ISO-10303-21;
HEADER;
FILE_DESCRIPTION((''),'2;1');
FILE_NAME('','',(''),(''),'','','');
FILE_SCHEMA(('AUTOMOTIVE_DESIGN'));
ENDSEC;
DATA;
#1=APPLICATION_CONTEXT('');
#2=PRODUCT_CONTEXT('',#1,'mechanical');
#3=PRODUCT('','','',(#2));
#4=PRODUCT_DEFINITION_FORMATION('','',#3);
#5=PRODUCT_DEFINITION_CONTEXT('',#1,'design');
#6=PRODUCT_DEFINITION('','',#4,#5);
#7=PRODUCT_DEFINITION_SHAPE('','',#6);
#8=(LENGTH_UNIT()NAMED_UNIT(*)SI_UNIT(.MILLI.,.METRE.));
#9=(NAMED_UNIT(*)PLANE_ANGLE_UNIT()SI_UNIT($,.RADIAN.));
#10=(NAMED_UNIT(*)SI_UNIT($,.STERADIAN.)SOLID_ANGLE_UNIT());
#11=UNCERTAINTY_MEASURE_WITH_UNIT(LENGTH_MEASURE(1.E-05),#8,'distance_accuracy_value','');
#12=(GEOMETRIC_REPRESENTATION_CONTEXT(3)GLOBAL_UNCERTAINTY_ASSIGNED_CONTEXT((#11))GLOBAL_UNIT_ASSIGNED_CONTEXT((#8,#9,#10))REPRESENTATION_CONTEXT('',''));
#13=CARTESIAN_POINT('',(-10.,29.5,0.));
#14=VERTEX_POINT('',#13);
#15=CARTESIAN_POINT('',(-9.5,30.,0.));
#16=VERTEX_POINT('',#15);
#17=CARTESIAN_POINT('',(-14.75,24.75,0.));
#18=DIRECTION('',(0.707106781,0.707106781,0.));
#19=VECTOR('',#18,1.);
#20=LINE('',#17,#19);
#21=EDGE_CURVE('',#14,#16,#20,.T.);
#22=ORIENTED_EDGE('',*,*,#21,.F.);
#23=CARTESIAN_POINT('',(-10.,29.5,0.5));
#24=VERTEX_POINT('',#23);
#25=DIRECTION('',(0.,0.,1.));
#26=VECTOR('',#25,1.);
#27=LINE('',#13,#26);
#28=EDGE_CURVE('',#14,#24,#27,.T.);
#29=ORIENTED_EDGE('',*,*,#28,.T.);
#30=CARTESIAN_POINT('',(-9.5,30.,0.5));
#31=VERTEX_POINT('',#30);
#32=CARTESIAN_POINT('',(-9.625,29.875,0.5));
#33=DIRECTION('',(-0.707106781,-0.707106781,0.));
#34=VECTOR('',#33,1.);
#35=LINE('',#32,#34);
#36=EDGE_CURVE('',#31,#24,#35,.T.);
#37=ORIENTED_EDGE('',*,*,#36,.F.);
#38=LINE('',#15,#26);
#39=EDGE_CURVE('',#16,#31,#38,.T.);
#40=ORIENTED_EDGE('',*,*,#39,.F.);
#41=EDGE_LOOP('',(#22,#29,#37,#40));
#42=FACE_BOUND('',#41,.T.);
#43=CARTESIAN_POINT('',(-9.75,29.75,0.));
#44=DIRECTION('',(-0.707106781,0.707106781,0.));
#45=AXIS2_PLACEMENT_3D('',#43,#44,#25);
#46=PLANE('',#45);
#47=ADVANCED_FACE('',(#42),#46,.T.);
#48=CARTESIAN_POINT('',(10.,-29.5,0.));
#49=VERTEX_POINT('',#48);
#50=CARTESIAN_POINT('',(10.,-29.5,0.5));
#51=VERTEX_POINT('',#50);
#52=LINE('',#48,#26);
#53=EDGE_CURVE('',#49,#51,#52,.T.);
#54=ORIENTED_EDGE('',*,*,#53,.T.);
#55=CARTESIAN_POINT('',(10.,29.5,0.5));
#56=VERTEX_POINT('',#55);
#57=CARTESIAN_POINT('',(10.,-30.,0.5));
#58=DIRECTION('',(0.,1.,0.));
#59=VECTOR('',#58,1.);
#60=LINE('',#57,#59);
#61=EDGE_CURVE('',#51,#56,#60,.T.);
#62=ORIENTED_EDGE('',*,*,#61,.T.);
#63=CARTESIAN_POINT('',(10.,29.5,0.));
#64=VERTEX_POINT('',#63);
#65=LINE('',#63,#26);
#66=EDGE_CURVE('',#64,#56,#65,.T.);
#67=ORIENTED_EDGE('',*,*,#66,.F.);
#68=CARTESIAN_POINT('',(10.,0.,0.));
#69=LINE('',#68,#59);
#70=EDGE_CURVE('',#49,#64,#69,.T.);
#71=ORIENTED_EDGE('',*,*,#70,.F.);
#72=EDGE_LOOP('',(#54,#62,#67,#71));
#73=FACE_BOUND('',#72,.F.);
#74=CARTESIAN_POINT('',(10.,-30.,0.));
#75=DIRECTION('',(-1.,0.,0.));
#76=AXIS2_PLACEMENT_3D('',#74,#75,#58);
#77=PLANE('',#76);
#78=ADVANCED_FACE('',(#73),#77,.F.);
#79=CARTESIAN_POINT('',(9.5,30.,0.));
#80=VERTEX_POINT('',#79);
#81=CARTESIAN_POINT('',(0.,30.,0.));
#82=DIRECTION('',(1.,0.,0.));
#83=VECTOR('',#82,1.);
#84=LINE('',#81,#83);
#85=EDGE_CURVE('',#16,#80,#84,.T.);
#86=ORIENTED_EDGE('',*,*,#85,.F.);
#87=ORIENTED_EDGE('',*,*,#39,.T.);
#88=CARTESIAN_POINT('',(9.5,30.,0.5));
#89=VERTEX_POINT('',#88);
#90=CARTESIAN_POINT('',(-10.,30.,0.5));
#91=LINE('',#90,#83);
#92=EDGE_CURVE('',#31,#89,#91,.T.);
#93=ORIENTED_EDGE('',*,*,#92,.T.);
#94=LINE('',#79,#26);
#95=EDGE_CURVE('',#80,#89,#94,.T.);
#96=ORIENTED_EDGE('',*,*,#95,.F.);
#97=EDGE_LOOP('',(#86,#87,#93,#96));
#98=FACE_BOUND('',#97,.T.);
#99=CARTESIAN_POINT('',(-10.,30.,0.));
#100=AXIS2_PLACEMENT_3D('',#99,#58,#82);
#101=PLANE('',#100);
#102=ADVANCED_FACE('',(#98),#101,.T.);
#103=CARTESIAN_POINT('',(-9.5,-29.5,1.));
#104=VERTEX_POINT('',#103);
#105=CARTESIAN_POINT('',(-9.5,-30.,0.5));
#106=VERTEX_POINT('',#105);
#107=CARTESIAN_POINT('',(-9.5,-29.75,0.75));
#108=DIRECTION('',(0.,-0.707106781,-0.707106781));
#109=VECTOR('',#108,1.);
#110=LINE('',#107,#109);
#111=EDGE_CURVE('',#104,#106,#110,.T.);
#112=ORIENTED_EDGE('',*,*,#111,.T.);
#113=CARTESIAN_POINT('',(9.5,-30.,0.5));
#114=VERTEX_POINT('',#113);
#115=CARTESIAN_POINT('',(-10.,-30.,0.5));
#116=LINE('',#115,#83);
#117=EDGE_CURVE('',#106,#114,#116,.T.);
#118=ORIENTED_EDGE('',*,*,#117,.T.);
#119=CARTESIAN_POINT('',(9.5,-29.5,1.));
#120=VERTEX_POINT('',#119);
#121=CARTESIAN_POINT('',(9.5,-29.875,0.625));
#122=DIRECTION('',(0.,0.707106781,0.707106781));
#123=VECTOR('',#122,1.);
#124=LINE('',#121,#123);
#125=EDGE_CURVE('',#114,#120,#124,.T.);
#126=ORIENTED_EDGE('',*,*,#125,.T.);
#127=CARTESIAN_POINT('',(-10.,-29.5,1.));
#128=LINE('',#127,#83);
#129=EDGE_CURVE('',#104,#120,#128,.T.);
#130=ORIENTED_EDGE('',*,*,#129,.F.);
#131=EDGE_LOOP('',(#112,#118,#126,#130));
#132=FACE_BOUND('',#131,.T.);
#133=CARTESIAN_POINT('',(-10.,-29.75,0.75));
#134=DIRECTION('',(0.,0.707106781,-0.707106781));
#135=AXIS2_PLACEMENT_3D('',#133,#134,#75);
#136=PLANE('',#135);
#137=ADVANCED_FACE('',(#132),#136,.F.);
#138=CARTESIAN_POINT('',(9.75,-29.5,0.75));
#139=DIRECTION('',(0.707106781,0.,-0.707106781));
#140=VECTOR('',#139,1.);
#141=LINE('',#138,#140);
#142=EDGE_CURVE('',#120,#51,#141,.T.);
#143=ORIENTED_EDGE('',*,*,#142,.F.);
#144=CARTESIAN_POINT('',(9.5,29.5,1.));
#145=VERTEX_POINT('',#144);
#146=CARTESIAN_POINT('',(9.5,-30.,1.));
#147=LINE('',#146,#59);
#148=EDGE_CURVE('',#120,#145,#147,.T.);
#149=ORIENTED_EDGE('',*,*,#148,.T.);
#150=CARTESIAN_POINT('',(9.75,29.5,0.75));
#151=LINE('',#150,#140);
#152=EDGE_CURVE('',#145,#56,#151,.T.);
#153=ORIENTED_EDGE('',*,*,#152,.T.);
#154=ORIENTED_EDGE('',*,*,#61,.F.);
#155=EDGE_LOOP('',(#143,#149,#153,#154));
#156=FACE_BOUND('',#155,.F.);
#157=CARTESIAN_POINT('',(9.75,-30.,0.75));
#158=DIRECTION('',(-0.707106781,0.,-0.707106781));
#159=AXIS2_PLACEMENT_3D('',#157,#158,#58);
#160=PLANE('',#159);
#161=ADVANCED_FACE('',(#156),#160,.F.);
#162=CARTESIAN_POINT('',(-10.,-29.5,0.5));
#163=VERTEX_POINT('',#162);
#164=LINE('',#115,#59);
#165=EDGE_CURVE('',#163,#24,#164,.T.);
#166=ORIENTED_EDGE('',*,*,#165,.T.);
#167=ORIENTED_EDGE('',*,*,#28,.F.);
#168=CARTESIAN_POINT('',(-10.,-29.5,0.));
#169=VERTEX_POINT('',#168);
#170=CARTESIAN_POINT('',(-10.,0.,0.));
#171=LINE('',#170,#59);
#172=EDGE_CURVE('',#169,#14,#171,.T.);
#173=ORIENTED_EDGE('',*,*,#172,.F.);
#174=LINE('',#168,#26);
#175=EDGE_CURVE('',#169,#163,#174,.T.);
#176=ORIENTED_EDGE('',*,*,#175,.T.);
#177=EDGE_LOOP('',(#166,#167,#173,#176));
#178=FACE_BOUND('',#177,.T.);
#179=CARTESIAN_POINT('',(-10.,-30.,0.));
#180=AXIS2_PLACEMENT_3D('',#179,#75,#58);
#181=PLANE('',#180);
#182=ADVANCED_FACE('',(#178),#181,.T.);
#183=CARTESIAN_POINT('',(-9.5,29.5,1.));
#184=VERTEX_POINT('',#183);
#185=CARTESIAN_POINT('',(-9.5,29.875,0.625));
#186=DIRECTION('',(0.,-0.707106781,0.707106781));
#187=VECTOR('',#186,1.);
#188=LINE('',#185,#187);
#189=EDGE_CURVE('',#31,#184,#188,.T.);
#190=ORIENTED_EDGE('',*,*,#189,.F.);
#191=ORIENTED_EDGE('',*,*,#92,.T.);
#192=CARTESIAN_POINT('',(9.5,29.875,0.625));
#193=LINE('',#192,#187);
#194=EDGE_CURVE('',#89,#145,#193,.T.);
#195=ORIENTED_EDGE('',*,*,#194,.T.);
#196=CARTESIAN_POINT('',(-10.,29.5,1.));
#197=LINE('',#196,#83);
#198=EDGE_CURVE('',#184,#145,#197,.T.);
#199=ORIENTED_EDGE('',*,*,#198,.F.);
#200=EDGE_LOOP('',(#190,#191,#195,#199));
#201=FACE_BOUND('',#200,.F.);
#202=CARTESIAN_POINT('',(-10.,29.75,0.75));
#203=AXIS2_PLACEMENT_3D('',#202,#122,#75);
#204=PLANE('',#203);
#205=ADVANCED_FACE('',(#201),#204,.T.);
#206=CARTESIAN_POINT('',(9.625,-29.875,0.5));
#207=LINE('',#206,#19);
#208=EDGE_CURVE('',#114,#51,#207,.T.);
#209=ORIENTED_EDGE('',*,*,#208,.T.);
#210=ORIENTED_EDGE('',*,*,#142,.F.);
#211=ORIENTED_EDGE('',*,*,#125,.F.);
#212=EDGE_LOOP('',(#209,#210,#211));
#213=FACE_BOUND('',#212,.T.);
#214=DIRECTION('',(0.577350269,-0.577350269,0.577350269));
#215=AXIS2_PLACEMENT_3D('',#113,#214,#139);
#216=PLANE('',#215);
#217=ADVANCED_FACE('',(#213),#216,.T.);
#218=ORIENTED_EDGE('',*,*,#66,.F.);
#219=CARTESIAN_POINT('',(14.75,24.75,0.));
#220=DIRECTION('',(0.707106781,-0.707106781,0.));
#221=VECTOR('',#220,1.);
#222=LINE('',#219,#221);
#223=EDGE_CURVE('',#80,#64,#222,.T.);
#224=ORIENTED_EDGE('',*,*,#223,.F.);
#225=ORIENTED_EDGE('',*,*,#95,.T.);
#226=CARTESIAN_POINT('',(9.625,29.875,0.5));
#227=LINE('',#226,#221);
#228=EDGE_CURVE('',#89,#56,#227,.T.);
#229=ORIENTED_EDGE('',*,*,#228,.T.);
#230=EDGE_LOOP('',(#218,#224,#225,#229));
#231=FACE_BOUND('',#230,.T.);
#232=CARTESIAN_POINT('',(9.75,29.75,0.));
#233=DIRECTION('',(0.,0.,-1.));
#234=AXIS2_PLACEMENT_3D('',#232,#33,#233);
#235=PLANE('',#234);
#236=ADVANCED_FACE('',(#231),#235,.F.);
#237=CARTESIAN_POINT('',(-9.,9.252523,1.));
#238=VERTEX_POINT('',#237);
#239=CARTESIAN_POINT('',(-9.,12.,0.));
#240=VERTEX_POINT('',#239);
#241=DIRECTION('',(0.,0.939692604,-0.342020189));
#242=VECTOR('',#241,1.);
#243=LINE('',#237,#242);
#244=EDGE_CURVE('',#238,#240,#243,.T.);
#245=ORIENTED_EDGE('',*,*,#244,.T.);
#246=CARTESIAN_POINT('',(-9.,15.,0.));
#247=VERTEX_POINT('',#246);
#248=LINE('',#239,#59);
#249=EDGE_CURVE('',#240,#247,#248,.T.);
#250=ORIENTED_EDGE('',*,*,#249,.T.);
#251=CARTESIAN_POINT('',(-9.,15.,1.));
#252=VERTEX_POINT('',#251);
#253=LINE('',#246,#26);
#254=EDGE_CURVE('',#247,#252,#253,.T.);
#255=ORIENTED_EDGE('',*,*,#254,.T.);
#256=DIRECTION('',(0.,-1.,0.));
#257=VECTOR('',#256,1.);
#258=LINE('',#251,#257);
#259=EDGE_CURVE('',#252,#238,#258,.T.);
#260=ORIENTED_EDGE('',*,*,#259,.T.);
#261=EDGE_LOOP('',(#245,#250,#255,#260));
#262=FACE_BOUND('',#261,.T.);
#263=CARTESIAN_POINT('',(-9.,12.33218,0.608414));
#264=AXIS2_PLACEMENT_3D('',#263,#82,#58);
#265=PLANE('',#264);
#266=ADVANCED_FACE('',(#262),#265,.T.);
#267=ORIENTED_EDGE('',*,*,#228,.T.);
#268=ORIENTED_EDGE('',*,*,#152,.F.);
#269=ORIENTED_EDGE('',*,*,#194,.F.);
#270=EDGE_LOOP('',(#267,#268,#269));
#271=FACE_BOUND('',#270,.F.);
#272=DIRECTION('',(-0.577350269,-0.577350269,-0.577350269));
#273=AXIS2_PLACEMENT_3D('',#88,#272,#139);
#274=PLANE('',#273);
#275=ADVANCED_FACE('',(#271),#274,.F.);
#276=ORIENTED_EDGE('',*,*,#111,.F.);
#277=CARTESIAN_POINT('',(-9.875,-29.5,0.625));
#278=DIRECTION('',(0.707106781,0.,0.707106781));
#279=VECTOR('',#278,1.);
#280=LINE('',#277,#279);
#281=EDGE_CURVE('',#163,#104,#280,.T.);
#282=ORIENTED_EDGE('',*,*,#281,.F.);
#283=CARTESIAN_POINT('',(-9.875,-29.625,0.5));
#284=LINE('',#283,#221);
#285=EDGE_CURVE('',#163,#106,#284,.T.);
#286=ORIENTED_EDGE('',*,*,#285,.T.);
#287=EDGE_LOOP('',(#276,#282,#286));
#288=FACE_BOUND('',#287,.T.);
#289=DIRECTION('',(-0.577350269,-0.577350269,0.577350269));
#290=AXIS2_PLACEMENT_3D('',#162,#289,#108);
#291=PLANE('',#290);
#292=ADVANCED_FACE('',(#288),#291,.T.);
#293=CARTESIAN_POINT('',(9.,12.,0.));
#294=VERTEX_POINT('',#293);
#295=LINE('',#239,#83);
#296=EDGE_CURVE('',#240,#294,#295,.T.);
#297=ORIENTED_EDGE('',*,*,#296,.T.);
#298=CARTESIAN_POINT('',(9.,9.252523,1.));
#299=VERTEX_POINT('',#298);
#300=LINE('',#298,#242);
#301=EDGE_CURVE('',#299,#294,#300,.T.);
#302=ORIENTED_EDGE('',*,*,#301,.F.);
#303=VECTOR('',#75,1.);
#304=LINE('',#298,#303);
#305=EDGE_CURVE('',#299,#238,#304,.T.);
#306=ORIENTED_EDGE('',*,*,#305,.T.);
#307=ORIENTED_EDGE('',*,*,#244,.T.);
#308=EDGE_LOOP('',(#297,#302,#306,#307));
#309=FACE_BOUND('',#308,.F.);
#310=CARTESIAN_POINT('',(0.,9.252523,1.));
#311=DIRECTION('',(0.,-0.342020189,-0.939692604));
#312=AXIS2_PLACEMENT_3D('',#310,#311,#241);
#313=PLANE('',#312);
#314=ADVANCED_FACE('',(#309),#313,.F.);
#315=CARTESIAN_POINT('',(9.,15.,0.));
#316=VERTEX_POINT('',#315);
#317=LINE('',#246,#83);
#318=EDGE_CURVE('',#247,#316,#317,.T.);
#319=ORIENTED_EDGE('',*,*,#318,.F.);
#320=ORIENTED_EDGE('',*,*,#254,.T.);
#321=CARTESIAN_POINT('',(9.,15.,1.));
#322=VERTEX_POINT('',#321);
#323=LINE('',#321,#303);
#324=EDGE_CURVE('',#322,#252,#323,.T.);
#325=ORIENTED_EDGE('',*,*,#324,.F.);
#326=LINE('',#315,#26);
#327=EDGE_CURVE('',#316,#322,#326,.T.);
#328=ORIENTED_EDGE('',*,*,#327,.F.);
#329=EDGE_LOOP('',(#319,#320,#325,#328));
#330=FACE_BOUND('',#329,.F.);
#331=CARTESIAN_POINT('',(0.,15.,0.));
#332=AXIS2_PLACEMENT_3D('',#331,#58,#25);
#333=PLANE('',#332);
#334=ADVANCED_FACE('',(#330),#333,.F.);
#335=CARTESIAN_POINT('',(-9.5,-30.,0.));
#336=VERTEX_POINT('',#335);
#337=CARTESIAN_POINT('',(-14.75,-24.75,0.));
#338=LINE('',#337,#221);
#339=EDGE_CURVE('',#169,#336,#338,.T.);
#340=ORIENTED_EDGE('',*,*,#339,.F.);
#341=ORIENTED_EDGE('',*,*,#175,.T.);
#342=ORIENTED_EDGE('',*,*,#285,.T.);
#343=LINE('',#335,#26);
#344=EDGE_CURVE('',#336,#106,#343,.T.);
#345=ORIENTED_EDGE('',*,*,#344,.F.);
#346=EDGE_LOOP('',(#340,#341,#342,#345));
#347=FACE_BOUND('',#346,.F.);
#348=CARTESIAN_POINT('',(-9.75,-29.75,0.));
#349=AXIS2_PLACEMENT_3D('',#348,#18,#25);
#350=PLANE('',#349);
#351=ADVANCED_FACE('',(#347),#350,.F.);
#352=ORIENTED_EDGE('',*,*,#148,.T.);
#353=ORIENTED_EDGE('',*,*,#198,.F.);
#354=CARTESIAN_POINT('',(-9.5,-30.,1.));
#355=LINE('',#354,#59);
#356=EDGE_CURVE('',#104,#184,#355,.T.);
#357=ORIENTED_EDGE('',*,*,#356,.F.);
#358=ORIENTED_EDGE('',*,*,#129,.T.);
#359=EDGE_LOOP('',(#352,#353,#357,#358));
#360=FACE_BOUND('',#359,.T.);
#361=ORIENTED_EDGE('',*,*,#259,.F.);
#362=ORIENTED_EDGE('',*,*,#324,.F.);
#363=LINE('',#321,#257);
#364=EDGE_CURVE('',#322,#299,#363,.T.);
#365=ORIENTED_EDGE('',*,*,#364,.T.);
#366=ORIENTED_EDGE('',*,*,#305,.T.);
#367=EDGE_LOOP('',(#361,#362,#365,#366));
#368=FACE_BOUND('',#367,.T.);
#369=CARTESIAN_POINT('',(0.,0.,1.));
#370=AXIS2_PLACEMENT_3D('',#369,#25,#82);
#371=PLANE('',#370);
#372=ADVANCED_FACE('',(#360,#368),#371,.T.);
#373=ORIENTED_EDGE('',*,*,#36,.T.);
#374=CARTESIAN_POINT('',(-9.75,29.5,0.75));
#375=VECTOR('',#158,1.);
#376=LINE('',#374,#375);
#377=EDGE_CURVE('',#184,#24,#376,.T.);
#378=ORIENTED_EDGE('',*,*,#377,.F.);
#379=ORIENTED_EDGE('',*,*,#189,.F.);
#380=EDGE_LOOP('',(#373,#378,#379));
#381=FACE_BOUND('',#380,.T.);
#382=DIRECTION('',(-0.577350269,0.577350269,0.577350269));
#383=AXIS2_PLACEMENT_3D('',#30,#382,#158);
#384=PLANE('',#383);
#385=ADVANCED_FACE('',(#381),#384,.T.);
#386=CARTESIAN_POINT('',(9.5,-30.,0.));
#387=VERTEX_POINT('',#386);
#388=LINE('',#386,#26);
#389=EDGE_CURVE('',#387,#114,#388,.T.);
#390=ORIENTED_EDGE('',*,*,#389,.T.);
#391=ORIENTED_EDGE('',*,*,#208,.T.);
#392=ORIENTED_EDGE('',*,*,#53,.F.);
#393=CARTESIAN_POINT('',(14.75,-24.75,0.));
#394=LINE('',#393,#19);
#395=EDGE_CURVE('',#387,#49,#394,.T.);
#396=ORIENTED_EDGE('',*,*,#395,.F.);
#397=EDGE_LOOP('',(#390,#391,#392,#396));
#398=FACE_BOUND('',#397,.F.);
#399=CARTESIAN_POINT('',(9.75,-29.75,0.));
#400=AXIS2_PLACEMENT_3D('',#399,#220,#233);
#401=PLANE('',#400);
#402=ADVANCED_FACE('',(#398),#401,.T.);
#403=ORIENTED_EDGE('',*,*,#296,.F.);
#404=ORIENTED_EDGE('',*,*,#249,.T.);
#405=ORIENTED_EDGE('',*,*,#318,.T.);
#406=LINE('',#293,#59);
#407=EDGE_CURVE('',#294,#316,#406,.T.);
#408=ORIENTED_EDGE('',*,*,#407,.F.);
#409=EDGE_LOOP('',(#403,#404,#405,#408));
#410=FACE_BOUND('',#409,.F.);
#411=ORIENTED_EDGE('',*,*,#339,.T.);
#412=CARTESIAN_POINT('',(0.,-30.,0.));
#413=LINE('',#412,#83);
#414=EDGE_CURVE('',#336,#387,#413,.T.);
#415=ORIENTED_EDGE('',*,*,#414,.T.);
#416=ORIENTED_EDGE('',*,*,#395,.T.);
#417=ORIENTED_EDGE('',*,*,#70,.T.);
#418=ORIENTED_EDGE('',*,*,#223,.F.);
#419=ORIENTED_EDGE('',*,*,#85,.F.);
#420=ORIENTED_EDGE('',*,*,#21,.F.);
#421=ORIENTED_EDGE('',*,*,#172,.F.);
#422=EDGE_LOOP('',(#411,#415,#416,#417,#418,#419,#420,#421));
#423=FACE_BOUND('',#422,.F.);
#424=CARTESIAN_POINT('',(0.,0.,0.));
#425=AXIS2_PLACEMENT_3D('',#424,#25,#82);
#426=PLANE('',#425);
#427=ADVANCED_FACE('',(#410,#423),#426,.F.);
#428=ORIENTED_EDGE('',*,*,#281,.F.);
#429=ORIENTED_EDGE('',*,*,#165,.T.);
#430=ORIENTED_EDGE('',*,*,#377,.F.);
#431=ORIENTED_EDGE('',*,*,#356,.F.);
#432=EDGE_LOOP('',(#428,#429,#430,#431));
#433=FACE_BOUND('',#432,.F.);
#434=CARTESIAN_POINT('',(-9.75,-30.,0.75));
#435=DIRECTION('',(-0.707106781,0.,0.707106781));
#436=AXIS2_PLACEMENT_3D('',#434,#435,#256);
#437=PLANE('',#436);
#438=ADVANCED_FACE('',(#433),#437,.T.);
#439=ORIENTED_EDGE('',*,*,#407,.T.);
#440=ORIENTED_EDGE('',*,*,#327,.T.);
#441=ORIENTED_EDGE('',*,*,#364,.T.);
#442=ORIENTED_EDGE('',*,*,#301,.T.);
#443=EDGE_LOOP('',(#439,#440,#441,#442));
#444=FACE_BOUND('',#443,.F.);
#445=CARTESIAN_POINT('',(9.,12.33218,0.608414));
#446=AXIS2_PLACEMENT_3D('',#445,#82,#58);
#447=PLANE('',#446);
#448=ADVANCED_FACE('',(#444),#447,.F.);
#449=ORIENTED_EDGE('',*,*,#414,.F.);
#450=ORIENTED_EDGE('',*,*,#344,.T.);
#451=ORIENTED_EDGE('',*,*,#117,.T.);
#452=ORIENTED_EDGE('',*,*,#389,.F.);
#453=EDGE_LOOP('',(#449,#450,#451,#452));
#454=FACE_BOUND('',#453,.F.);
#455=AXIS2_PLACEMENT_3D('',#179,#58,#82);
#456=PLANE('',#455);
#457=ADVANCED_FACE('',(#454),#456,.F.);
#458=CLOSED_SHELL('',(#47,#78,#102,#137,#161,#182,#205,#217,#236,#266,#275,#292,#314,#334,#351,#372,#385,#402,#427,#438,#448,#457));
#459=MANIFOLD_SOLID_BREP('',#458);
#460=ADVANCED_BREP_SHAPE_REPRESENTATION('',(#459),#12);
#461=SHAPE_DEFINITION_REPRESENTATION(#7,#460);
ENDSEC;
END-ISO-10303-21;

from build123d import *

# Parameters (mm, degrees)
F0_W     = 20
F0_H     = 60
F1_DEPTH = 1
F3_DEPTH = 9
F4_SIZE  = 0.5


with BuildPart() as f1:
    # F0 (on Top) → F1 (new body)
    with BuildSketch(Plane.XY):
        Rectangle(F0_W, F0_H)
    extrude(amount=F1_DEPTH)

    # F2 (on Right) → F3 (cut, symmetric)
    with BuildSketch(Plane.YZ):
        Polygon((9.252523, 1), (12, 0), (15, 0), (15, 1), align=None)
    extrude(amount=F3_DEPTH, both=True, mode=Mode.SUBTRACT)

    # F4
    f4_edges = [f1.edges().sort_by_distance(p)[0] for p in [
        (10, 0, 1),
        (0, -30, 1),
        (-10, 0, 1),
        (0, 30, 1),
        (10, -30, 0.5),
        (10, 30, 0.5),
        (-10, 30, 0.5),
        (-10, -30, 0.5),
    ]]
    chamfer(f4_edges, length=F4_SIZE)


solid = f1.part
